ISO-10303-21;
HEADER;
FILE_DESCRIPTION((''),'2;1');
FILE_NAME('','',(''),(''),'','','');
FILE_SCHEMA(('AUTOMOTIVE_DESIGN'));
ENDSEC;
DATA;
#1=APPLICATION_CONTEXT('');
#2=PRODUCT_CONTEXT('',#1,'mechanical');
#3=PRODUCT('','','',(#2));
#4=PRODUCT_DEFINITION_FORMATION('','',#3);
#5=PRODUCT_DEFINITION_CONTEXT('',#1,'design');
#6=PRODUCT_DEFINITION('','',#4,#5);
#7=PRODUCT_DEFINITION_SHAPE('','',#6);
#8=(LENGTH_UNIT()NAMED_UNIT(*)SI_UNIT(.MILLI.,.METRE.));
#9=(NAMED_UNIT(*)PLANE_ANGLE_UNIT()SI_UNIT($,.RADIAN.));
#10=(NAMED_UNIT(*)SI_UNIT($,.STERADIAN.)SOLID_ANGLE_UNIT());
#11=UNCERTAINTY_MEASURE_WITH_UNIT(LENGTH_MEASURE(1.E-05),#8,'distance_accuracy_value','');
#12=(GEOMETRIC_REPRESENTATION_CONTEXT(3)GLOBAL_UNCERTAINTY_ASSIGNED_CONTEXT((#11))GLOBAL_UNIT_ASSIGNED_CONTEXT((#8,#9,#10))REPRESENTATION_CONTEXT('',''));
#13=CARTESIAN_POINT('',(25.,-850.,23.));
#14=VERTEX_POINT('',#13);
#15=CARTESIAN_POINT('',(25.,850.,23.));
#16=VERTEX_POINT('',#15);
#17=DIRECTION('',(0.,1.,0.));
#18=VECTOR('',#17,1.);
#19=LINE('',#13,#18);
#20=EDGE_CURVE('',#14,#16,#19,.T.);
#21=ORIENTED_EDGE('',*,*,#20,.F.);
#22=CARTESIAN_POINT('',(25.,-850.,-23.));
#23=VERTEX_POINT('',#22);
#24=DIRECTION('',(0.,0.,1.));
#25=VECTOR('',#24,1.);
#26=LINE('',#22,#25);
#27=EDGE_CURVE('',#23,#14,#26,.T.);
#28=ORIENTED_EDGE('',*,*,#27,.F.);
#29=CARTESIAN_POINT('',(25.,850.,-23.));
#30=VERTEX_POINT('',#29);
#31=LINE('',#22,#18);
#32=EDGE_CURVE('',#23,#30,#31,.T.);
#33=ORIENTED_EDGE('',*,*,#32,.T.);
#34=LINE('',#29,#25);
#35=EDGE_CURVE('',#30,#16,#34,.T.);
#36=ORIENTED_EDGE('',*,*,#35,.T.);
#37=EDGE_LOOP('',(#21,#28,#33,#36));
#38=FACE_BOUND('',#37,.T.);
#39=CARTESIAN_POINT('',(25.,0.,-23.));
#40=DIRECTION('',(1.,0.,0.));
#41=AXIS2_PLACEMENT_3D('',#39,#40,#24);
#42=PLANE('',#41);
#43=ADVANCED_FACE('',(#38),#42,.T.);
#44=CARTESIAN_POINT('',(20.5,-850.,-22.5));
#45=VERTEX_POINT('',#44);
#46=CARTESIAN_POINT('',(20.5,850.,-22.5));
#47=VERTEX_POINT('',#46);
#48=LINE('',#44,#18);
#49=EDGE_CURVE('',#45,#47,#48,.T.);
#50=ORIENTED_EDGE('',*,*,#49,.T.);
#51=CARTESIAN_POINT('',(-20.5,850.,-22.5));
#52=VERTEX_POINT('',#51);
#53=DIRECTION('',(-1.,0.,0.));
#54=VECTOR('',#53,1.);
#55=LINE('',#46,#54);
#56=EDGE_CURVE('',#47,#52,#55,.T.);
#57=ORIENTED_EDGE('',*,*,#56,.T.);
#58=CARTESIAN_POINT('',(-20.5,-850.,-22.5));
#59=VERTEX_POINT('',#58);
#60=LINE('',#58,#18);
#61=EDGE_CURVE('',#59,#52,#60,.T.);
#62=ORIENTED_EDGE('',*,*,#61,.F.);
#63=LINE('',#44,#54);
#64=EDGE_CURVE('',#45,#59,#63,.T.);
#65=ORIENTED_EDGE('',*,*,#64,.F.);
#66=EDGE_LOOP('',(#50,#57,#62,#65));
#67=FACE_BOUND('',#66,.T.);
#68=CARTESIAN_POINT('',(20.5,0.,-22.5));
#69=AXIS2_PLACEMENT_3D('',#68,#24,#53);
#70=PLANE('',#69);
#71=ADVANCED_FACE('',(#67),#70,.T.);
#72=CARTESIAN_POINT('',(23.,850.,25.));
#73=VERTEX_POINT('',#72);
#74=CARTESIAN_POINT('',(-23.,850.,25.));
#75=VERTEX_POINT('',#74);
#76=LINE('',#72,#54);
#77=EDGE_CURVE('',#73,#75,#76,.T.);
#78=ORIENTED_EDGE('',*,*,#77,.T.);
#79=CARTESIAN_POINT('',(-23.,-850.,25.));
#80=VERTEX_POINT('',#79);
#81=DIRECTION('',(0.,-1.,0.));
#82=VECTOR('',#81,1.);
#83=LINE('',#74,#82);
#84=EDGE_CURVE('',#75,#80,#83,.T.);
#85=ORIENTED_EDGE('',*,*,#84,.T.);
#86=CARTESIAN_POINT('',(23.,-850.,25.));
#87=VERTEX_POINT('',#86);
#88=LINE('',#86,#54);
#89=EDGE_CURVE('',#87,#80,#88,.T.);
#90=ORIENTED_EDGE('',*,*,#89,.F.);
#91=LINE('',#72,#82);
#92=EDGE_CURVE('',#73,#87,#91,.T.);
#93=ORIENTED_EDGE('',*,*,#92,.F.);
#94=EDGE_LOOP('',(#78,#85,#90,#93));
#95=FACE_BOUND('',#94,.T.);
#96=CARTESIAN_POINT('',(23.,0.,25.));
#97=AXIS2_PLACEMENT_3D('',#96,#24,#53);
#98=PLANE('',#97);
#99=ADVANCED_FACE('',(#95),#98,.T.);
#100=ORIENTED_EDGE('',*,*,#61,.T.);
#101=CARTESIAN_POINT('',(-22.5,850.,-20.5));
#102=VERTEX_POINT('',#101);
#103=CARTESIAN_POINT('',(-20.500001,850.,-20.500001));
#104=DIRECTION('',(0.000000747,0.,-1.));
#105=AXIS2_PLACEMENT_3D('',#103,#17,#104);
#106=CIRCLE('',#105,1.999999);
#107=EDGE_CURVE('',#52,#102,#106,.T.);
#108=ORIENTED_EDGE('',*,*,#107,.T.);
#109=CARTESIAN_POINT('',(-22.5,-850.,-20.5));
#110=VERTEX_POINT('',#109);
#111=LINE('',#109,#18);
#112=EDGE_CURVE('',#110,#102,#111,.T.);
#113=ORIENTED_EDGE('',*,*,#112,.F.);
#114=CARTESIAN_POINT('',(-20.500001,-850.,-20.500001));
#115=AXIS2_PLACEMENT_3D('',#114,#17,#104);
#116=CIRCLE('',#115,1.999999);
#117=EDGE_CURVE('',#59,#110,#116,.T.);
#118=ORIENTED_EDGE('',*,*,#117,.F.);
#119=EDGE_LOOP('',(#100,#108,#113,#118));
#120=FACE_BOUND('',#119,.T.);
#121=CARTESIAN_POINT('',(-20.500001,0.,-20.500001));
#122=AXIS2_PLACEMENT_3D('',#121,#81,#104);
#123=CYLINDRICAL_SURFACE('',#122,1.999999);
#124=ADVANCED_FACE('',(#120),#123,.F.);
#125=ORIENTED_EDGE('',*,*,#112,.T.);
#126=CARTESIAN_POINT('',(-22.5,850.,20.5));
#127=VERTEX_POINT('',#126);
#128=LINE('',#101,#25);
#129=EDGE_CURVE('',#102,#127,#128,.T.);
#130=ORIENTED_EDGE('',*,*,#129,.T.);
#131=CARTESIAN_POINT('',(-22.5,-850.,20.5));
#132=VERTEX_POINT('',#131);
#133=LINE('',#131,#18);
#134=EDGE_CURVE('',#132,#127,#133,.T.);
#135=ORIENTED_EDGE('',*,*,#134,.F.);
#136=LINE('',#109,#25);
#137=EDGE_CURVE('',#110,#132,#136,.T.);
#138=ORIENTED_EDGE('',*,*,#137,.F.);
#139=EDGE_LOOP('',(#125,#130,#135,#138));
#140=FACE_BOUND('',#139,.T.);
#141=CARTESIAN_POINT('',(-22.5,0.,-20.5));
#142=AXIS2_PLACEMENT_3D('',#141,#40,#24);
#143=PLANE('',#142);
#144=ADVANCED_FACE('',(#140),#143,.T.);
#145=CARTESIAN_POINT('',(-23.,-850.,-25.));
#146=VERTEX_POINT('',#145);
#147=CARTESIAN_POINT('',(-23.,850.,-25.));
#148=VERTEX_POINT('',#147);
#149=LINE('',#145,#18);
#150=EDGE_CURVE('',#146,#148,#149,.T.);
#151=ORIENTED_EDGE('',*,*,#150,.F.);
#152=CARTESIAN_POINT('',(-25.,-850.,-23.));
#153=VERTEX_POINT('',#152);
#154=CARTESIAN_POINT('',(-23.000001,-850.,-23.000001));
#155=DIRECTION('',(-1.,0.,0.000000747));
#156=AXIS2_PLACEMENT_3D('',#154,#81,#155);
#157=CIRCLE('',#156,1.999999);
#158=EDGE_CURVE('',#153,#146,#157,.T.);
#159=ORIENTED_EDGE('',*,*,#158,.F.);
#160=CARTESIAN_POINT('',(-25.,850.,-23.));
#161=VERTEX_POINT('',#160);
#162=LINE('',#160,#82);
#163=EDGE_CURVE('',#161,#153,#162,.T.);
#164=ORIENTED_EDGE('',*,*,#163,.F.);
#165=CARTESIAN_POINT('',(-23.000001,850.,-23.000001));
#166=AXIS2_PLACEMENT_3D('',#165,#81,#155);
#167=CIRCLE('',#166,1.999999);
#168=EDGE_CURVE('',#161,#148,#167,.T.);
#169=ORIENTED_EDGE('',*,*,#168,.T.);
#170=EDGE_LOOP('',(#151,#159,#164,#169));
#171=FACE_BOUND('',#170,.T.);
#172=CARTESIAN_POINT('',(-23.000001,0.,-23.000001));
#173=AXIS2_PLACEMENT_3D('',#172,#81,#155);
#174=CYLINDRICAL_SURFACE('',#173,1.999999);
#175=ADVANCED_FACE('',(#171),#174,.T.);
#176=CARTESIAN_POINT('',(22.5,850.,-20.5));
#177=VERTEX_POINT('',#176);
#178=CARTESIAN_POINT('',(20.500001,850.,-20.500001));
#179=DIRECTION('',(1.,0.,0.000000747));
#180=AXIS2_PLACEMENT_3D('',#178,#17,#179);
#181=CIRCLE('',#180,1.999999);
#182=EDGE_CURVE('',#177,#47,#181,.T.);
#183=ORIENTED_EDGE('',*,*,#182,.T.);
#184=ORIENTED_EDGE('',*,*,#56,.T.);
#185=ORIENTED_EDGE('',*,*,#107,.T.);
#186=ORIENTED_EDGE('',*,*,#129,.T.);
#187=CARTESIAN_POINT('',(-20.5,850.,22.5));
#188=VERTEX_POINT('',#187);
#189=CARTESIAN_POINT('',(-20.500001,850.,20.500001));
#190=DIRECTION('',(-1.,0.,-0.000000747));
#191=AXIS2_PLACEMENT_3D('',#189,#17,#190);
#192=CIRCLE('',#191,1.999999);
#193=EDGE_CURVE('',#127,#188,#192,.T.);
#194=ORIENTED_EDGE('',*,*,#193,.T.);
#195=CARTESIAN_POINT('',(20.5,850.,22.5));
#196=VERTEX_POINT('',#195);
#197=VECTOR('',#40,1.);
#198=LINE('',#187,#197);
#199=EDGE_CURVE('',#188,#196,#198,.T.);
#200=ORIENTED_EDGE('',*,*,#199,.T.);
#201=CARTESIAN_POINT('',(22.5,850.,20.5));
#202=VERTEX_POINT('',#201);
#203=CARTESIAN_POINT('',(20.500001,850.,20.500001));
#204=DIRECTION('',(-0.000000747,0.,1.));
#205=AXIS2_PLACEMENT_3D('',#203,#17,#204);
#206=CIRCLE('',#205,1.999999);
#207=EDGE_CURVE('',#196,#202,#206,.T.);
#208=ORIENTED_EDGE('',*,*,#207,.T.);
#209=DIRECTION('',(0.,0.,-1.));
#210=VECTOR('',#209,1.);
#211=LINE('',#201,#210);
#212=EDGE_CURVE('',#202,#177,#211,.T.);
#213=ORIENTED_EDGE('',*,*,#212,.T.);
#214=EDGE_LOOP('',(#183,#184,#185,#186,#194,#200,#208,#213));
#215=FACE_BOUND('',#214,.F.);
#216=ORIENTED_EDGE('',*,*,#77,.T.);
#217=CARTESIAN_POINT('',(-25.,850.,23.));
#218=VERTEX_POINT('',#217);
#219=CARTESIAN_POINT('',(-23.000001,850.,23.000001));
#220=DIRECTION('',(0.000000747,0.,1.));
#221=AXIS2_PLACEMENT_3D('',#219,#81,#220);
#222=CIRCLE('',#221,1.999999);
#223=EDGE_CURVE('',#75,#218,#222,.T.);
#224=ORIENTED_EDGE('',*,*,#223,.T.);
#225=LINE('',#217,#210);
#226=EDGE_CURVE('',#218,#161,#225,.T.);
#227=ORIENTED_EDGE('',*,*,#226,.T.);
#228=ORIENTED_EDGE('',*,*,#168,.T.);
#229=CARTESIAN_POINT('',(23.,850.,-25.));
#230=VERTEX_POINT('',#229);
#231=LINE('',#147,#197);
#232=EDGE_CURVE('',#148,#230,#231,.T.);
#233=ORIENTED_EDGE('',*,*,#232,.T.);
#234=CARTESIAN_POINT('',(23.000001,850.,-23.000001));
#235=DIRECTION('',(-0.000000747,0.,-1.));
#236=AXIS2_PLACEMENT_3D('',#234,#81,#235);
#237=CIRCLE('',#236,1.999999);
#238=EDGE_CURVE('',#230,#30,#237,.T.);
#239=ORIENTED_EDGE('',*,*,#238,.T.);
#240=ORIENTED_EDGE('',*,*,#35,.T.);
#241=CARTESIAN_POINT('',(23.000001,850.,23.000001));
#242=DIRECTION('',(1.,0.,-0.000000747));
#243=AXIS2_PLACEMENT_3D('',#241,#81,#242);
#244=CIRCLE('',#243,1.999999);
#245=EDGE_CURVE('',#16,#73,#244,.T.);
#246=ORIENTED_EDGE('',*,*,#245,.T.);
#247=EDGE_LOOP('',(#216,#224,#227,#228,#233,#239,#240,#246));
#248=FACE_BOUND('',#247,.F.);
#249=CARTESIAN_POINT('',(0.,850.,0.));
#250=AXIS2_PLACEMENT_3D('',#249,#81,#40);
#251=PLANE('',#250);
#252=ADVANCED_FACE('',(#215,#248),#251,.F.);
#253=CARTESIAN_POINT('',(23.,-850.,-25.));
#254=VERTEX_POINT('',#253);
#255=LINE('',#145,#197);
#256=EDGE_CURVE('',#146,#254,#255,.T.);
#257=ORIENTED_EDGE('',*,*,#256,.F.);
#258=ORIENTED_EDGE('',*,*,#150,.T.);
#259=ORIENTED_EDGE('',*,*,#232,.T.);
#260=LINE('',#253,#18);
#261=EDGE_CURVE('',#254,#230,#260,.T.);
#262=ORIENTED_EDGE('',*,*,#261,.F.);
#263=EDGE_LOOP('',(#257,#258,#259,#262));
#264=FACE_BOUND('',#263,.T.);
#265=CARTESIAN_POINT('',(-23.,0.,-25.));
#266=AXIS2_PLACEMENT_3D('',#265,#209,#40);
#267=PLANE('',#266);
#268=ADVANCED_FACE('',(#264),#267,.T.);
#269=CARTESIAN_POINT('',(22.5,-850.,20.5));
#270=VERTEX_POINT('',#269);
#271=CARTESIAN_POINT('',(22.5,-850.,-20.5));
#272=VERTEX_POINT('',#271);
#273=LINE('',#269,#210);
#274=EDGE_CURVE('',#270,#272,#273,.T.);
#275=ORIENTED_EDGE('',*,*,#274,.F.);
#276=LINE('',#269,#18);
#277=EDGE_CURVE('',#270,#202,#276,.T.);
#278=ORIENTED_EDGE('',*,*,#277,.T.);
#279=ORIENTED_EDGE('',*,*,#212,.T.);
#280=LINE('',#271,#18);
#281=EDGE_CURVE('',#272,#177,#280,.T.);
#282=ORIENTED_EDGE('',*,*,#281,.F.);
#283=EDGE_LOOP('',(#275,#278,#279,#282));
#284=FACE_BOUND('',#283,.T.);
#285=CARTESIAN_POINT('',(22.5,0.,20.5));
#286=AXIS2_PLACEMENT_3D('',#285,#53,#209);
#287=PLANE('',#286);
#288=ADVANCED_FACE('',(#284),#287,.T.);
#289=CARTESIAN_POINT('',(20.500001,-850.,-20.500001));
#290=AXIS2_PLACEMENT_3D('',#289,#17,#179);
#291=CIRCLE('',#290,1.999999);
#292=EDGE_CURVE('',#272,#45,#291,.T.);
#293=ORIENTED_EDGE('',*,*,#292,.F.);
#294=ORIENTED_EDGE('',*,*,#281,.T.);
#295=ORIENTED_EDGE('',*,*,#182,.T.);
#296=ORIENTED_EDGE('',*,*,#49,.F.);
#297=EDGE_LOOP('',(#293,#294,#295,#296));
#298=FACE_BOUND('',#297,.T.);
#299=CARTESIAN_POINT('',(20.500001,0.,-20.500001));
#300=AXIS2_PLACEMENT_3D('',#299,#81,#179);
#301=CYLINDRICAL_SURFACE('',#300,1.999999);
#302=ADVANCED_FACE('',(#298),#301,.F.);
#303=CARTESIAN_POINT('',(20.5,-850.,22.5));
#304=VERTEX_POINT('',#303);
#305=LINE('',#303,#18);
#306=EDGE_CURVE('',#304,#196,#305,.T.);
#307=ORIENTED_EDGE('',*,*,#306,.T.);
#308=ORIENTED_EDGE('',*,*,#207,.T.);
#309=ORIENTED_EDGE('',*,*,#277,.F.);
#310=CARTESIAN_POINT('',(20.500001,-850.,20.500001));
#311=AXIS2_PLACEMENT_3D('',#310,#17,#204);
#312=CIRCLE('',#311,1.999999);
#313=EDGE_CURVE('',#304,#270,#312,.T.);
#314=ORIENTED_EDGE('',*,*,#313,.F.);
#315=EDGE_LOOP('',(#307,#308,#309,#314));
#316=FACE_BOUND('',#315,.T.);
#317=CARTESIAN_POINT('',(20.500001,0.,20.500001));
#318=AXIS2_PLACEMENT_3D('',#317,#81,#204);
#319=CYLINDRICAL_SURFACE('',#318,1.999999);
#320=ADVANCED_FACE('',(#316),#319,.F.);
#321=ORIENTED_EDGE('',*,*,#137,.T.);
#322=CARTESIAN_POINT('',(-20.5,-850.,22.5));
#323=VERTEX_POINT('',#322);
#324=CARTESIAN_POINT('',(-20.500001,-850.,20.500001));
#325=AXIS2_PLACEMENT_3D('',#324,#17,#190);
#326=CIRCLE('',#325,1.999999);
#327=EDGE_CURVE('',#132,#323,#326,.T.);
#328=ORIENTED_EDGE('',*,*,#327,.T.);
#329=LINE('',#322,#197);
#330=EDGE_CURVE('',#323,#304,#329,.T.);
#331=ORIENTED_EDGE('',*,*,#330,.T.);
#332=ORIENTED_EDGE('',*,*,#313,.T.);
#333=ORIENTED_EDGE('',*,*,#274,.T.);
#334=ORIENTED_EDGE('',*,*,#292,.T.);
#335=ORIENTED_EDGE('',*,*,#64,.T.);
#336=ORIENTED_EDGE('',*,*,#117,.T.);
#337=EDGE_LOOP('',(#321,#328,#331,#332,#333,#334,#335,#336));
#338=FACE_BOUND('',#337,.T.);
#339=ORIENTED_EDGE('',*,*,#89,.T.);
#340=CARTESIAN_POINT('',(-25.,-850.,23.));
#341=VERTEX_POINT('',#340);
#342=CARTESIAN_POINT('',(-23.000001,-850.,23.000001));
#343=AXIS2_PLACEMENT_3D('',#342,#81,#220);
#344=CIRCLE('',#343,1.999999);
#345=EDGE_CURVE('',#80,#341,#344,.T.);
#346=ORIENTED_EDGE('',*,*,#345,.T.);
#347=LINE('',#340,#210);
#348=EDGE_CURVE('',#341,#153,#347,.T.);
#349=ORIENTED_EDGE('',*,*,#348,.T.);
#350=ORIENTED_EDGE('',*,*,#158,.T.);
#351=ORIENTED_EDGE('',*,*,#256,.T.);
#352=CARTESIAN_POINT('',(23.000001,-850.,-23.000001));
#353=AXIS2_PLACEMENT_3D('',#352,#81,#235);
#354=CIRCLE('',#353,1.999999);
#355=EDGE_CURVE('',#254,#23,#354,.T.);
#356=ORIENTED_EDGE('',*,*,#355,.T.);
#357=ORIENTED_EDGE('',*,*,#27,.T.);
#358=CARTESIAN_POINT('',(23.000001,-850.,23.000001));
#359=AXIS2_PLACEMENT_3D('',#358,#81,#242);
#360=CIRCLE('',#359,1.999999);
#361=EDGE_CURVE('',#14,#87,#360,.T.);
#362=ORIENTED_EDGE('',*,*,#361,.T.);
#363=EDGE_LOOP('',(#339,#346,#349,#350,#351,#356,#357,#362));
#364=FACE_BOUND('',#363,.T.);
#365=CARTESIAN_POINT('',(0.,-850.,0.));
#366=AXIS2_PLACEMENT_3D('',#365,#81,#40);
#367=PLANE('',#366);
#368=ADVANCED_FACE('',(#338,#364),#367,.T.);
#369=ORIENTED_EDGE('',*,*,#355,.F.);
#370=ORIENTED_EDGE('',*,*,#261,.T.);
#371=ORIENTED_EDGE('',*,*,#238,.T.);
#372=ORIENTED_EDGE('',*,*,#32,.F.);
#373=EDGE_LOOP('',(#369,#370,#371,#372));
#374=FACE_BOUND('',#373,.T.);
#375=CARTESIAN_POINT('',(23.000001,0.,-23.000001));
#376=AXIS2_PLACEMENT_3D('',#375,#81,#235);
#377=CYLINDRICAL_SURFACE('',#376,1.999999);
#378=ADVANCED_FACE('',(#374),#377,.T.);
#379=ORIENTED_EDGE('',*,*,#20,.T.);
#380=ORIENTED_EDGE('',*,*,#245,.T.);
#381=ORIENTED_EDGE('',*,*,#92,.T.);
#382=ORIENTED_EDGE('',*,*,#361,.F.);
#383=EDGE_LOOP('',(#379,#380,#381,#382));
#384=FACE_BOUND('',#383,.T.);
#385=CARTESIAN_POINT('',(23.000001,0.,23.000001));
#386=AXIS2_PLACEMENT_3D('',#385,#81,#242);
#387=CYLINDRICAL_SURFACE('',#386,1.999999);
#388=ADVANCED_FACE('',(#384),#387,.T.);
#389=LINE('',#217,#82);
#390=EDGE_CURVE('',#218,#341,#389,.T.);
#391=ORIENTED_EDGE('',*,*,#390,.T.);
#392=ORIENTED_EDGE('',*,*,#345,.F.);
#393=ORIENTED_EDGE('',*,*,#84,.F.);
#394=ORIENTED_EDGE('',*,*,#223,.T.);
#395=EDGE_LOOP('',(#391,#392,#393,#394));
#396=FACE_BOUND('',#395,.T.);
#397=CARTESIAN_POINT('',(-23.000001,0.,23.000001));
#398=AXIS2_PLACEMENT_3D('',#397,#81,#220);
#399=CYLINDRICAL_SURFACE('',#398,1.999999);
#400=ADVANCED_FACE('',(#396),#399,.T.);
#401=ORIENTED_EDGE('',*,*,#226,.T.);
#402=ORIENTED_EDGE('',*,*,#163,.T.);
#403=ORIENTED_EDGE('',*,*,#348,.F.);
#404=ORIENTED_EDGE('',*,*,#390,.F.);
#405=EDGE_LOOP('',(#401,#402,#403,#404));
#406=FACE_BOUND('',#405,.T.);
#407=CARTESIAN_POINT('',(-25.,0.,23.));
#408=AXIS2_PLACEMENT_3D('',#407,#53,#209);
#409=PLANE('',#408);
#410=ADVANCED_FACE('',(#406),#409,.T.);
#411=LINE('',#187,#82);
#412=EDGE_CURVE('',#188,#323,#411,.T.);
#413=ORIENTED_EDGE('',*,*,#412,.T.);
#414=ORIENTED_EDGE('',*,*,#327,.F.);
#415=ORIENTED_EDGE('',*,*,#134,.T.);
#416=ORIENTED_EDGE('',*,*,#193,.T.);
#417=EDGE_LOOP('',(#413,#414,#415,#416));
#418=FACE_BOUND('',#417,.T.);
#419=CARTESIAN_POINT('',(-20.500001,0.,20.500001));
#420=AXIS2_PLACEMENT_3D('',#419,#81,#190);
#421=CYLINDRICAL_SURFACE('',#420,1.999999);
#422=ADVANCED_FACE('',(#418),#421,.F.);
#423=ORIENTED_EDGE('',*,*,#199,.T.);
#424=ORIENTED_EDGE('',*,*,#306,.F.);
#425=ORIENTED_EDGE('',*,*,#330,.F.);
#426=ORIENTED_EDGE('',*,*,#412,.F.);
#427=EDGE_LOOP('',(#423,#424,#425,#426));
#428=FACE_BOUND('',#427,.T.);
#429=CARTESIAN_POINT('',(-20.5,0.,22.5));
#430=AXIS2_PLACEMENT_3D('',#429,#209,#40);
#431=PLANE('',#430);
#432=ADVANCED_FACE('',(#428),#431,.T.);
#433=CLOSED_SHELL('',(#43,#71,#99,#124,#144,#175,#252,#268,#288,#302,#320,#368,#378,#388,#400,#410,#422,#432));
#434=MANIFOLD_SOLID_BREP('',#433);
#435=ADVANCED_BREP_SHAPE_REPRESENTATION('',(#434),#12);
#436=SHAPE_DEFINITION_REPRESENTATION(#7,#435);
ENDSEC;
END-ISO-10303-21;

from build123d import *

# Parameters (mm, degrees)
F1_DEPTH = 850


with BuildPart() as f1:
    # F0 (on Front) → F1 (new body, symmetric)
    with BuildSketch(Plane.XZ):
        with BuildLine():
            ThreePointArc((25, 23), (24.414214, 24.414214), (23, 25))
            Line((23, 25), (-23, 25))
            ThreePointArc((-23, 25), (-24.414214, 24.414214), (-25, 23))
            Line((-25, 23), (-25, -23))
            ThreePointArc((-25, -23), (-24.414214, -24.414214), (-23, -25))
            Line((-23, -25), (23, -25))
            ThreePointArc((23, -25), (24.414214, -24.414214), (25, -23))
            Line((25, -23), (25, 23))
        make_face()
        with BuildLine():
            Line((-20.5, 22.5), (20.5, 22.5))
            ThreePointArc((20.5, 22.5), (21.914214, 21.914214), (22.5, 20.5))
            Line((22.5, 20.5), (22.5, -20.5))
            ThreePointArc((22.5, -20.5), (21.914214, -21.914214), (20.5, -22.5))
            Line((20.5, -22.5), (-20.5, -22.5))
            ThreePointArc((-20.5, -22.5), (-21.914214, -21.914214), (-22.5, -20.5))
            Line((-22.5, -20.5), (-22.5, 20.5))
            ThreePointArc((-22.5, 20.5), (-21.914214, 21.914214), (-20.5, 22.5))
        make_face(mode=Mode.SUBTRACT)
    extrude(amount=F1_DEPTH, both=True)


solid = f1.part
